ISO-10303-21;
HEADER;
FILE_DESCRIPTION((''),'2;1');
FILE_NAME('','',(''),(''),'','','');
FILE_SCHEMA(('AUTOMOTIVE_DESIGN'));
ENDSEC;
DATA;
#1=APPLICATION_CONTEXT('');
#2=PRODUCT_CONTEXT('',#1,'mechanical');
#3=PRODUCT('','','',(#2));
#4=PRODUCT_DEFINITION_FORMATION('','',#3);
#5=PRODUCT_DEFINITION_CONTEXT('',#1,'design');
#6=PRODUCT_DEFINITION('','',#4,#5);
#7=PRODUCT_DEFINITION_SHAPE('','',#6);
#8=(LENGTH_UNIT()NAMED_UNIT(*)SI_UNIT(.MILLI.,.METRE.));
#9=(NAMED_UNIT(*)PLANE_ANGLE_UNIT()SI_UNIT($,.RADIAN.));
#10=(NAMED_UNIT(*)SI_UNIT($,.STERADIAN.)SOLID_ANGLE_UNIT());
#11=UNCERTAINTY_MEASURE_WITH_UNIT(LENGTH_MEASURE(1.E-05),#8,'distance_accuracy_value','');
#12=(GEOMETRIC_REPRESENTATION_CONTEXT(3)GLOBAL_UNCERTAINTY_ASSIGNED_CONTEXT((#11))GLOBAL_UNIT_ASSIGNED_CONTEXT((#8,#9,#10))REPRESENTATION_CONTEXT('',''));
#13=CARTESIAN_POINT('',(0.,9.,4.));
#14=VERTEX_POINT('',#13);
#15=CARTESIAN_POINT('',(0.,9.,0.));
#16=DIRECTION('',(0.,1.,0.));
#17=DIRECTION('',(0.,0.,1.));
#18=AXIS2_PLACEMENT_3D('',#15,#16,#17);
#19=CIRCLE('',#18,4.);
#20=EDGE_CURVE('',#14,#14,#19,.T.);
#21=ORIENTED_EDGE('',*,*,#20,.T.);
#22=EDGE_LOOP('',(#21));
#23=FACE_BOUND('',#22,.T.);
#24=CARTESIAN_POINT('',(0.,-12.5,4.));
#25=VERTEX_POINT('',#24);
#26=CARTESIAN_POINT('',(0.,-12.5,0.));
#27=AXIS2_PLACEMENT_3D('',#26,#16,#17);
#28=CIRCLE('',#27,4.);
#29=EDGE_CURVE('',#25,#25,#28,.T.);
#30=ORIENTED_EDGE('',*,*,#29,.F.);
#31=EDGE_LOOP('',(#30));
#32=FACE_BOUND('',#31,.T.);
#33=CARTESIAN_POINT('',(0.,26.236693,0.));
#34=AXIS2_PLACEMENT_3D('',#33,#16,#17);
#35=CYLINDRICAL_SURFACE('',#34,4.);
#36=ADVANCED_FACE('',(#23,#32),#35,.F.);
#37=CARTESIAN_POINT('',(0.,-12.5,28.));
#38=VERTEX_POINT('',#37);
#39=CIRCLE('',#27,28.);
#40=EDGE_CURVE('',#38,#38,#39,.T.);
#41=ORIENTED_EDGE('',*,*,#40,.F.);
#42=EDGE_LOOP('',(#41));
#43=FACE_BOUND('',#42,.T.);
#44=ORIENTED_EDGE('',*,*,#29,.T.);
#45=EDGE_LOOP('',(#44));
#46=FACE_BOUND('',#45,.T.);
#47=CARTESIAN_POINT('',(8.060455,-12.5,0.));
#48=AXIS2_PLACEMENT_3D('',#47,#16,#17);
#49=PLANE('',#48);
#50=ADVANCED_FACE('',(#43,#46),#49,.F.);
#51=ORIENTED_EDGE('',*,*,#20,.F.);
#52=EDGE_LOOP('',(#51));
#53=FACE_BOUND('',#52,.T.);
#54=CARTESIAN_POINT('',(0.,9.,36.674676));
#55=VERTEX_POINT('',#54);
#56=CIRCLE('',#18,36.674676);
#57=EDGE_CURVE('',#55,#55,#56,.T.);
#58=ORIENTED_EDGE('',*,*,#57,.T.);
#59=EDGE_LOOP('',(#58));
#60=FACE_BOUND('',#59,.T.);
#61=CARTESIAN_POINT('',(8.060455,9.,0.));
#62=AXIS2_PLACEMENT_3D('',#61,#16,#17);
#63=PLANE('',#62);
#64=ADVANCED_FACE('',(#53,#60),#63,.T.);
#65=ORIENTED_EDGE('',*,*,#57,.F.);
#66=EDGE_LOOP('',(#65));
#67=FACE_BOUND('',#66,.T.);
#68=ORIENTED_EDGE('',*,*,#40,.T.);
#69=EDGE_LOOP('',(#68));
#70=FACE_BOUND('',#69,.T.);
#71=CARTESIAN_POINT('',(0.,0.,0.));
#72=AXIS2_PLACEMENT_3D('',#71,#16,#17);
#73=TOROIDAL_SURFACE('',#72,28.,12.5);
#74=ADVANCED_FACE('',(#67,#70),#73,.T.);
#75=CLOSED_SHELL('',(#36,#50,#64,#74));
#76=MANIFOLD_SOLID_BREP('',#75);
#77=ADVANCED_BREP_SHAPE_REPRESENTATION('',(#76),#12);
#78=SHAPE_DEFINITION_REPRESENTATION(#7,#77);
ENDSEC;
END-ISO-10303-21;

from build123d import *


with BuildPart() as part:
    # Esquisse1 → Révolution1 (revolve)
    with BuildSketch(Plane.XY, mode=Mode.PRIVATE) as r_volution1_sk:
        with BuildLine():
            Line((36.674675786, 9), (4, 9))
            Line((4, 9), (4, -12.5))
            Line((4, -12.5), (28, -12.5))
            ThreePointArc((28, -12.5), (39.592023119, -4.677071733), (36.674675786, 9))
        make_face()
    revolve(r_volution1_sk.sketch.rotate(Axis((0, 26.236692696, 0), (0, -1, 0)), 90), axis=Axis((0, 26.236692696, 0), (0, -1, 0)))


solid = part.part
